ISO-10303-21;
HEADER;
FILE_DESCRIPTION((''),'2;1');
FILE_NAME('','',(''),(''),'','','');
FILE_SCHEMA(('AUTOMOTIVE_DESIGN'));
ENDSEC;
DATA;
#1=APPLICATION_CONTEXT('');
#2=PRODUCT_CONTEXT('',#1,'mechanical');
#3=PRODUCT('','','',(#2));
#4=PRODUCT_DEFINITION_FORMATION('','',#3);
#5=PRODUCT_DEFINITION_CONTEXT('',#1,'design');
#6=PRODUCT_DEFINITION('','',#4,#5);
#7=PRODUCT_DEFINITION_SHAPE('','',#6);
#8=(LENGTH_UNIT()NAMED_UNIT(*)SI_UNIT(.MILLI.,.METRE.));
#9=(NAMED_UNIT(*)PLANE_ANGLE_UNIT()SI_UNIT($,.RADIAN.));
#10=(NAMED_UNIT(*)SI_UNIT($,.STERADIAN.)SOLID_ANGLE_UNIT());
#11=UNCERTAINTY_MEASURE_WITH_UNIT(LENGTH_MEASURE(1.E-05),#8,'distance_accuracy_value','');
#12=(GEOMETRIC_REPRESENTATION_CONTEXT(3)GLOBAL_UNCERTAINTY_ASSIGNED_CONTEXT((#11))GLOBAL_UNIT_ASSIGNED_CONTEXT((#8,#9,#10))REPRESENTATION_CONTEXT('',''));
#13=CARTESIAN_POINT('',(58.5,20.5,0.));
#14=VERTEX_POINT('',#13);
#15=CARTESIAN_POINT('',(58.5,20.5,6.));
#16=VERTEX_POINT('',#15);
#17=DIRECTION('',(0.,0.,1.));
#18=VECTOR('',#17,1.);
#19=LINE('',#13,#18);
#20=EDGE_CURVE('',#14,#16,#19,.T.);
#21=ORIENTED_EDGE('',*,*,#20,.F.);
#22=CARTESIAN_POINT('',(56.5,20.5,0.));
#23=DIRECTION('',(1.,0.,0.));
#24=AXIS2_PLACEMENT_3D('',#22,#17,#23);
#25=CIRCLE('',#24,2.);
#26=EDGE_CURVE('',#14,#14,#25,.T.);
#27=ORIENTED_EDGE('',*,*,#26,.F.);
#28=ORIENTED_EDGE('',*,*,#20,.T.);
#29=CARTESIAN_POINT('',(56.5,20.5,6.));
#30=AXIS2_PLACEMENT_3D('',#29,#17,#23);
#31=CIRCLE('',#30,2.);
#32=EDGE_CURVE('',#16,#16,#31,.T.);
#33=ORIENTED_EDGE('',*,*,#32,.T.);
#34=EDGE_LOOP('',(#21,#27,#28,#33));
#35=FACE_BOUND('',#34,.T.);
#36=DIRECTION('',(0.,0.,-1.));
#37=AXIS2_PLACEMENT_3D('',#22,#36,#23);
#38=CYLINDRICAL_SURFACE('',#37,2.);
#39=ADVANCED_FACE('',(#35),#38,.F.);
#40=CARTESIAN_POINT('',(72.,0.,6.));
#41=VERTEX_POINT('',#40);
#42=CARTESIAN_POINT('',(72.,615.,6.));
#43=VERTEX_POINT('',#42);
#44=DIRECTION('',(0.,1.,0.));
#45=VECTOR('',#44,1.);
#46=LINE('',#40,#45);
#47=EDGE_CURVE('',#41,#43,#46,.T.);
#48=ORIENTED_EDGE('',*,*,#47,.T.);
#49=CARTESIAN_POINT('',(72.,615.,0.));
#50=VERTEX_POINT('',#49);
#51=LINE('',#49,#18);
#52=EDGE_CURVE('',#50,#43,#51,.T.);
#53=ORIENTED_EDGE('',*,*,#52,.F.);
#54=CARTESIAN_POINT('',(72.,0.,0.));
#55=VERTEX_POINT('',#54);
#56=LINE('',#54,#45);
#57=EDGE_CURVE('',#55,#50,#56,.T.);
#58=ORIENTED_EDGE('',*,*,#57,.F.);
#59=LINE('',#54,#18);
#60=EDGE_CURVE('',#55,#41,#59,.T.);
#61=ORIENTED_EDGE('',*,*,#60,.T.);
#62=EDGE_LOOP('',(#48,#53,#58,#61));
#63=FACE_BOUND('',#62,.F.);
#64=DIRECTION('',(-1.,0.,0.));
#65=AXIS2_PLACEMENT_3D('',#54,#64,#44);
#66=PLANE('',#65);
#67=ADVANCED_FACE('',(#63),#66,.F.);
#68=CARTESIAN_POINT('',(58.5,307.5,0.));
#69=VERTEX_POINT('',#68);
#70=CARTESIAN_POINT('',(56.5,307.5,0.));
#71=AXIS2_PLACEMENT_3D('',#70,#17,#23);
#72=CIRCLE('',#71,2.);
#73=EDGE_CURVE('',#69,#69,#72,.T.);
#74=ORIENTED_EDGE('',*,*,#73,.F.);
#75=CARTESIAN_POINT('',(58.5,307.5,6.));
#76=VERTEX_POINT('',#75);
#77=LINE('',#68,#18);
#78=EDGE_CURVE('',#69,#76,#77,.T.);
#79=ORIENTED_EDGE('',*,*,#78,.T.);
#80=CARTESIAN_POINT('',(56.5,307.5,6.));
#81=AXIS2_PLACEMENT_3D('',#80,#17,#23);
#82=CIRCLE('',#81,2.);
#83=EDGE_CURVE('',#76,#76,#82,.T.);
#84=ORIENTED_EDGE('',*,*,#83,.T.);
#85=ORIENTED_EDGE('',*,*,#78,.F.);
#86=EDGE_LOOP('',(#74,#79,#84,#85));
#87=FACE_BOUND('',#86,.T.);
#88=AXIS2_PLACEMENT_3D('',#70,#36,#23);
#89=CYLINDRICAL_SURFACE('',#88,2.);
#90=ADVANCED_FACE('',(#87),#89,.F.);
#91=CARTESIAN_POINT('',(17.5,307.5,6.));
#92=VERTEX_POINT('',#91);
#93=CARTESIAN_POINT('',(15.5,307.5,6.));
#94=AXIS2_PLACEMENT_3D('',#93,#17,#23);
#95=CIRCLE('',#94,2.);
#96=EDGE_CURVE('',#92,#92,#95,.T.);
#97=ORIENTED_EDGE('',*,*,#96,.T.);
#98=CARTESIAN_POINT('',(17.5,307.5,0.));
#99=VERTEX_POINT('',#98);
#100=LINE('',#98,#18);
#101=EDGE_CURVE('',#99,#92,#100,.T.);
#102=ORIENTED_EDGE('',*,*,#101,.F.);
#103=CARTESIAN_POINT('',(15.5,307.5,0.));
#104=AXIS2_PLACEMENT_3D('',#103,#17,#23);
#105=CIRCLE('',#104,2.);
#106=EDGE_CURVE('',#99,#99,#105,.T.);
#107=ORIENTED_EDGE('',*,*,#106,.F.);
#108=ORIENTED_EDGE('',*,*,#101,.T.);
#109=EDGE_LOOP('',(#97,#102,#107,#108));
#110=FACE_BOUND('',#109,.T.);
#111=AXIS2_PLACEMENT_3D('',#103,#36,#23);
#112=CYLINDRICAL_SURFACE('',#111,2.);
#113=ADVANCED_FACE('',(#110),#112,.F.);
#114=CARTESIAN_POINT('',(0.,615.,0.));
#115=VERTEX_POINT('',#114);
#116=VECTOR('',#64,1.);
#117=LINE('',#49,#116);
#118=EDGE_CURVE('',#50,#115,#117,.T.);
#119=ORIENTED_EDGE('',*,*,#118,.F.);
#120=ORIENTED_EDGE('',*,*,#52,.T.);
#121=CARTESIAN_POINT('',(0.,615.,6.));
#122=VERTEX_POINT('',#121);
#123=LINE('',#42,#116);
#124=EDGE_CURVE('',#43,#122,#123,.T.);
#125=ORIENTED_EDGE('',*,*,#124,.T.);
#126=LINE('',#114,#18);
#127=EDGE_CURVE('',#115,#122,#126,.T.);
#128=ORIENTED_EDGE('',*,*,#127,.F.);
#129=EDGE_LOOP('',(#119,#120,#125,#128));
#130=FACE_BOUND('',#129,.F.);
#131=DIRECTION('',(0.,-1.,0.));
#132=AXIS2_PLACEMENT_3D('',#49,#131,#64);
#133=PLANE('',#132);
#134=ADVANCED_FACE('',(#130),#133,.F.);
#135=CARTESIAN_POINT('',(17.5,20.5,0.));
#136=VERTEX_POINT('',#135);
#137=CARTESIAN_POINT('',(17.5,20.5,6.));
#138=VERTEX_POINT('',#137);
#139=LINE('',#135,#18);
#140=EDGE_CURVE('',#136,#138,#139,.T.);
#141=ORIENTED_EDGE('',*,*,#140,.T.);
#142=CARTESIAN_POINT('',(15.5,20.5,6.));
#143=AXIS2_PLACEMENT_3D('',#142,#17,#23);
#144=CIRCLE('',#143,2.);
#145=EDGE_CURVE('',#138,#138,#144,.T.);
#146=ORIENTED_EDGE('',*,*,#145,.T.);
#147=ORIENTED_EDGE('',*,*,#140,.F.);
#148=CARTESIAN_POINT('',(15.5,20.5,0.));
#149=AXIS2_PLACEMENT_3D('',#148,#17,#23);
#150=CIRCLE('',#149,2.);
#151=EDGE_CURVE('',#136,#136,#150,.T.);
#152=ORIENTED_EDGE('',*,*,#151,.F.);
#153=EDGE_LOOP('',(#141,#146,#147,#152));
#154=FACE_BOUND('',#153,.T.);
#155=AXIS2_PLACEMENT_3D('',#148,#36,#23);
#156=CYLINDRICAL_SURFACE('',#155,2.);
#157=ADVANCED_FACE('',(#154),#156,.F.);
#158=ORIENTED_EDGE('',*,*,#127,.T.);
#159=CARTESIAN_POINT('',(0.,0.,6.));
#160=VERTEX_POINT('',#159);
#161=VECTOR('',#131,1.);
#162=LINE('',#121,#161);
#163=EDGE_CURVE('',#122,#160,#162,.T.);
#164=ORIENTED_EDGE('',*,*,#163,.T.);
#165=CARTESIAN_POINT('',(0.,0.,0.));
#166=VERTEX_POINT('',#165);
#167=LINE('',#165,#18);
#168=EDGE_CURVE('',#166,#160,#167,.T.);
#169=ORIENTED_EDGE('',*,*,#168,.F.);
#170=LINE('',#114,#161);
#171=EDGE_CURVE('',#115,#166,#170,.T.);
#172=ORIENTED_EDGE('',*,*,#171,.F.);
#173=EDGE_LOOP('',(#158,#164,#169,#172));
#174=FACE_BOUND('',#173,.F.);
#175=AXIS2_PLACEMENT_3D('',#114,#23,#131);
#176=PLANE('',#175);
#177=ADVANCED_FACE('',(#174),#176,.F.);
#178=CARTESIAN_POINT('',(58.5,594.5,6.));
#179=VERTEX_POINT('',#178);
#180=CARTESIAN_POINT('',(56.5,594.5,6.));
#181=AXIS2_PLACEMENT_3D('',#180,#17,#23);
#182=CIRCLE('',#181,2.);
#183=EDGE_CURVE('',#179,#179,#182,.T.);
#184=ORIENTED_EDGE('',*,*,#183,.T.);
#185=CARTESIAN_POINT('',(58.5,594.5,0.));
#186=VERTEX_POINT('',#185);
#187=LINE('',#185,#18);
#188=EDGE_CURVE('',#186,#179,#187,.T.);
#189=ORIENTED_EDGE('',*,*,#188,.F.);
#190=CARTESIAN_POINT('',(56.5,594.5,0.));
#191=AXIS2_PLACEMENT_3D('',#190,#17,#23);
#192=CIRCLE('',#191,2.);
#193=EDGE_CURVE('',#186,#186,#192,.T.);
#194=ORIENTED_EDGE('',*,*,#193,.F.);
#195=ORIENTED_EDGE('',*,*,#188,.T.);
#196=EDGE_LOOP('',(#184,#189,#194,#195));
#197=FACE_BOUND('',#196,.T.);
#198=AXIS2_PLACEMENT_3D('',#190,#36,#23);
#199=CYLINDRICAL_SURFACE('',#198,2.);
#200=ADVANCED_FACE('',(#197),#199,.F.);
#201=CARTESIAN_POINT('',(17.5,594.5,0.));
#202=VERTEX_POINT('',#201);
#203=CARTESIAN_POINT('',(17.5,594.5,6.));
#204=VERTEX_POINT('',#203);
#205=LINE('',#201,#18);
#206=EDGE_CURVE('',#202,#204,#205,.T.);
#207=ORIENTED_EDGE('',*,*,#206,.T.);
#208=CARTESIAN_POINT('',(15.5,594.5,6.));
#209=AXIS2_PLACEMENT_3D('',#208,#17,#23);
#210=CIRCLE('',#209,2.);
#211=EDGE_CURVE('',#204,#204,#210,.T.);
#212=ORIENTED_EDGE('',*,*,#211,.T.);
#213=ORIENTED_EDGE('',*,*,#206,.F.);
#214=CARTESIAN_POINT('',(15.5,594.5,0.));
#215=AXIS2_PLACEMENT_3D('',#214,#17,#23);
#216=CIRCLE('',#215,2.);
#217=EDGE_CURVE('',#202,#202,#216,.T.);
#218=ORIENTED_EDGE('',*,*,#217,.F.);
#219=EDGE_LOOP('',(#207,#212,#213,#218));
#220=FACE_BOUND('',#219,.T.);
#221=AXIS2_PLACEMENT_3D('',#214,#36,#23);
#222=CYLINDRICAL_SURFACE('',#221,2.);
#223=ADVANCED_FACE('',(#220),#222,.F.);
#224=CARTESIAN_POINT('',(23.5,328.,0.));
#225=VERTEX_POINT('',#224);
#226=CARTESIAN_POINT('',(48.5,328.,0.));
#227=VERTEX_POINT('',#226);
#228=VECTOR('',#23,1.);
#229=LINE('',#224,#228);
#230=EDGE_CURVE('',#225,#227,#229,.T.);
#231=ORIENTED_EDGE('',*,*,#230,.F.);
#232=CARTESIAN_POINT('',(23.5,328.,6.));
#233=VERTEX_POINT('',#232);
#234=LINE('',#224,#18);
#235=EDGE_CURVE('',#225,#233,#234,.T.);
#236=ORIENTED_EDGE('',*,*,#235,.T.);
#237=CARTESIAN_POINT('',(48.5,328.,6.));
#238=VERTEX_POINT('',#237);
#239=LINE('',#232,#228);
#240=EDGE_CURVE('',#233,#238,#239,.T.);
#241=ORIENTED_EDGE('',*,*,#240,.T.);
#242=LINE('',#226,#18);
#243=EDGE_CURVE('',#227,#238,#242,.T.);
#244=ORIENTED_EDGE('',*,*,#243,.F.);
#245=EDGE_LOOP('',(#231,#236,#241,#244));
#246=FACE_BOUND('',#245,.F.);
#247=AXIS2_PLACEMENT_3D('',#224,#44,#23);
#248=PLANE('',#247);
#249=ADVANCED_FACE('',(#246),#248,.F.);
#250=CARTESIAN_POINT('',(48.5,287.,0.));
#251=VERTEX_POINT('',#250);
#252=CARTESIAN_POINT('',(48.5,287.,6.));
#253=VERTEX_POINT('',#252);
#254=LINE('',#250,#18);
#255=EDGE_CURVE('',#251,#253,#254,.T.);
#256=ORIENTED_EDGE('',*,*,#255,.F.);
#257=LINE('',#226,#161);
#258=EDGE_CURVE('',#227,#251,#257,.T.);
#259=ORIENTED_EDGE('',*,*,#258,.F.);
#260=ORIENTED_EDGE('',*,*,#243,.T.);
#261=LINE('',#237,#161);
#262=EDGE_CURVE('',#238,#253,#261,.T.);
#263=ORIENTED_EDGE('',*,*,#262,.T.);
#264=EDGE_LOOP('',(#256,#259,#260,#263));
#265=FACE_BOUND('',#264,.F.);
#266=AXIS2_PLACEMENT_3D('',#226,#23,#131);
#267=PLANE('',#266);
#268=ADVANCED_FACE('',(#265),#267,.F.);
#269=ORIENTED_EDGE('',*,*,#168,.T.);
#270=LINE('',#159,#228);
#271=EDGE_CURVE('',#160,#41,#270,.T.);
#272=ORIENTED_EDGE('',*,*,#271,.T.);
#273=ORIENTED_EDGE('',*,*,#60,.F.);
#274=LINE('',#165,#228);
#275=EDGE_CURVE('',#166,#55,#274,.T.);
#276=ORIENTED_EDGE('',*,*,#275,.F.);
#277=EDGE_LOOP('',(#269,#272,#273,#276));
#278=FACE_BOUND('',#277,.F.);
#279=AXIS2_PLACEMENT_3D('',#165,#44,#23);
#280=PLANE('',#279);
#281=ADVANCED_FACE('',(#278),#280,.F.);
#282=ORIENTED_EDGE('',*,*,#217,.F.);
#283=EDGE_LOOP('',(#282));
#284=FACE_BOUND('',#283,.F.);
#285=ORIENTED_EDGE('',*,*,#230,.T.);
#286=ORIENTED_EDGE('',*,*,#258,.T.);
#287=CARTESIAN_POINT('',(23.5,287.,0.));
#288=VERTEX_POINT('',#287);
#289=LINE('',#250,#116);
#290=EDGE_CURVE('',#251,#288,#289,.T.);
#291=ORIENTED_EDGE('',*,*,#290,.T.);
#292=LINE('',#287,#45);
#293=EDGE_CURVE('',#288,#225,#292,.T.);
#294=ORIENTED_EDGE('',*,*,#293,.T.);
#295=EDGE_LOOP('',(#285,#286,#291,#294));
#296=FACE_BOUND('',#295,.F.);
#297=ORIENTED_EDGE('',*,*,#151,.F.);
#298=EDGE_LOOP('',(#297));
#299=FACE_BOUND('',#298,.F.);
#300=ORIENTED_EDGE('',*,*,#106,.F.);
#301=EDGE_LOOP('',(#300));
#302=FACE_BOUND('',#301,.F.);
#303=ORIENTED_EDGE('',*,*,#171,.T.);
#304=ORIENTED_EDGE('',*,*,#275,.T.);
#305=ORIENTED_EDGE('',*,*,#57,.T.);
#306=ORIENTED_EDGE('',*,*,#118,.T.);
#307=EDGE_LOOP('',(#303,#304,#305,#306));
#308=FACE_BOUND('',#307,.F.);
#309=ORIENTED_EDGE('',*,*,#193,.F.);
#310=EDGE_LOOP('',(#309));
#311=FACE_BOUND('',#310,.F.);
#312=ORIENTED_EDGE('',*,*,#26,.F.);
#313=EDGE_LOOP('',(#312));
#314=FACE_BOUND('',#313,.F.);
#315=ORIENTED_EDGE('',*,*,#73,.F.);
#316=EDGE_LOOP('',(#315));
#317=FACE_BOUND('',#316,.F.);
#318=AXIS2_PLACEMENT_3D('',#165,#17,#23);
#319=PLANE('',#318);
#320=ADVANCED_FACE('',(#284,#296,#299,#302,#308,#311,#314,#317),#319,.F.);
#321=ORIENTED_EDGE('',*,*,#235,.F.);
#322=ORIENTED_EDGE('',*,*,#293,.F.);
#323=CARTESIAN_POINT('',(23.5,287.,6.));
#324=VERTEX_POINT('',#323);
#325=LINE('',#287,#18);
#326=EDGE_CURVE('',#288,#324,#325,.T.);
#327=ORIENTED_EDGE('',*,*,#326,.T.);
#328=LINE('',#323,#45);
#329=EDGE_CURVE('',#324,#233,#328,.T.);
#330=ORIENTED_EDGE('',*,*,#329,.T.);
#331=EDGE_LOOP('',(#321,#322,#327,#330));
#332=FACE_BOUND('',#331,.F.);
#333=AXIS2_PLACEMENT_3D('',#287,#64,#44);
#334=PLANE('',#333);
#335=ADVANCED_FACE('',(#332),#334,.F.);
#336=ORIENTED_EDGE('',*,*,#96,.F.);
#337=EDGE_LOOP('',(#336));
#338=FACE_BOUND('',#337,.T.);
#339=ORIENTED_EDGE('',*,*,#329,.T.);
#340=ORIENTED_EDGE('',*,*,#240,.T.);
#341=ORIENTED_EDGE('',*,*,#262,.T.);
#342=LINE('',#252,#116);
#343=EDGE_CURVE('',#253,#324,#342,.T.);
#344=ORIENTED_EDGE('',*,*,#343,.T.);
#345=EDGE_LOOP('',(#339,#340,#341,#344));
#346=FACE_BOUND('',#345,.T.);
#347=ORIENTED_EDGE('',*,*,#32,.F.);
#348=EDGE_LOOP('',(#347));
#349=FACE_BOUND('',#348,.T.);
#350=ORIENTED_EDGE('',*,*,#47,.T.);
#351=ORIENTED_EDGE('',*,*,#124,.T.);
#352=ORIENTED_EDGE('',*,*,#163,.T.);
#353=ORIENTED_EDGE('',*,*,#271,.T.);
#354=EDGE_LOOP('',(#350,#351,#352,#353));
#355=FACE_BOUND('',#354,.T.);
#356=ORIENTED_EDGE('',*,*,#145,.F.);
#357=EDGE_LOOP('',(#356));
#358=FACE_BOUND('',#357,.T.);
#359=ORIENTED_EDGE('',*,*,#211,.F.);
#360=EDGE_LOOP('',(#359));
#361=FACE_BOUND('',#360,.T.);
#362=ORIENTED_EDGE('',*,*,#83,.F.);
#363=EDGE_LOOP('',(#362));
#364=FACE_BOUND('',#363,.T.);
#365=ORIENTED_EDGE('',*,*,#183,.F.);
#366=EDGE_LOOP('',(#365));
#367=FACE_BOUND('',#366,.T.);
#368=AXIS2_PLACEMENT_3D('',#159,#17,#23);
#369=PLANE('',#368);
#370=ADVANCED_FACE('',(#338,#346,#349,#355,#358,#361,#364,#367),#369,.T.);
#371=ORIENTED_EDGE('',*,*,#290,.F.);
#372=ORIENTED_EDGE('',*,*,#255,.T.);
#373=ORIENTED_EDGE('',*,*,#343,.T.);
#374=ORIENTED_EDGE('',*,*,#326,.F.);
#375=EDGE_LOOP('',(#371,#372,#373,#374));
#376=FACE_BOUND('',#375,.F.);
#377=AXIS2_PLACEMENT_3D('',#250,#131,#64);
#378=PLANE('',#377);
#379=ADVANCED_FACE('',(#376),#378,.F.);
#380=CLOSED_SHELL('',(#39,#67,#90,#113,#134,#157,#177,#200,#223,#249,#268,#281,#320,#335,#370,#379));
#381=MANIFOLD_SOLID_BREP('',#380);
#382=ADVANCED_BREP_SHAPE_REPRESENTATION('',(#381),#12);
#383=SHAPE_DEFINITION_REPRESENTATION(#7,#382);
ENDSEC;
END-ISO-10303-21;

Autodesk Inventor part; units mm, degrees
ref_plane "YZ Plane" through (0, 0, 0) normal (1, 0, 0) x (0, 1, 0)
ref_plane "XZ Plane" through (0, 0, 0) normal (0, 1, 0) x (-1, 0, 0)
ref_plane "XY Plane" through (0, 0, 0) normal (0, 0, 1) x (1, 0, 0)
sketch "Sketch2" plane through (0, 0, 0) normal (0, 0, 1) x (1, 0, 0)
  line L0 (0, 0) -> (72, 0)
  line L1 (72, 0) -> (72, 615)
  line L2 (72, 615) -> (0, 615)
  line L3 (0, 615) -> (0, 0)
  line L4 (0, 41) -> (72, 41) construction
  line L5 (36, 41) -> (36, 0) construction
  line L6 (15.5, 20.5) -> (56.5, 20.5) construction
  circle A0 centre (15.5, 20.5) radius 2
  circle A1 centre (56.5, 20.5) radius 2
  line L7 (0, 307.5) -> (72, 307.5) construction
  circle A2 centre (15.5, 307.5) radius 2
  circle A3 centre (56.5, 307.5) radius 2
  line L8 (23.5, 328) -> (48.5, 328)
  line L9 (48.5, 328) -> (48.5, 287)
  line L10 (48.5, 287) -> (23.5, 287)
  line L11 (23.5, 287) -> (23.5, 328)
  line L12 (36, 328) -> (36, 287) construction
  circle A4 centre (15.5, 594.5) radius 2
  circle A5 centre (56.5, 594.5) radius 2
  point P0 (36, 20.5)
  point P1 (36, 307.5)
  dimension "d13" = 615
  dimension "d14" = 72
  dimension "d15" = 41
  dimension "d16" = 20.5
  dimension "d17" = 4
  dimension "d18" = 20.5
  dimension "d19" = 20.5
  dimension "d20" = 41
  dimension "d21" = 25
extrude "Extrusion1" add sketch "Sketch2" along normal blind 6
equation "\"d13\" = centerlegg_height"
equation "\"d14\" = inner_carriage_length"
equation "\"d15\" = inner_carriage_height"
equation "\"d16\" = center_to_screw"
equation "\"d17\" = screw_size"
equation "\"d18\" = center_to_screw"
equation "\"d19\" = center_to_screw"
equation "\"d20\" = inner_carriage_height"
equation "\"d21\" = cabel_rod_length"
equation "\"d22\" = centerlegg_plate_width"
equation "\"centerlegg_plate_width\" = 6"
equation "\"centerlegg_height\" = 615"
equation "\"inner_carriage_length\" = 72"
equation "\"inner_carriage_height\" = 41"
equation "\"screw_size\" = 4"
equation "\"cabel_rod_length\" = 25"
equation "\"center_to_screw\" = 20.5"
properties part number "centerlegg_short_side"
